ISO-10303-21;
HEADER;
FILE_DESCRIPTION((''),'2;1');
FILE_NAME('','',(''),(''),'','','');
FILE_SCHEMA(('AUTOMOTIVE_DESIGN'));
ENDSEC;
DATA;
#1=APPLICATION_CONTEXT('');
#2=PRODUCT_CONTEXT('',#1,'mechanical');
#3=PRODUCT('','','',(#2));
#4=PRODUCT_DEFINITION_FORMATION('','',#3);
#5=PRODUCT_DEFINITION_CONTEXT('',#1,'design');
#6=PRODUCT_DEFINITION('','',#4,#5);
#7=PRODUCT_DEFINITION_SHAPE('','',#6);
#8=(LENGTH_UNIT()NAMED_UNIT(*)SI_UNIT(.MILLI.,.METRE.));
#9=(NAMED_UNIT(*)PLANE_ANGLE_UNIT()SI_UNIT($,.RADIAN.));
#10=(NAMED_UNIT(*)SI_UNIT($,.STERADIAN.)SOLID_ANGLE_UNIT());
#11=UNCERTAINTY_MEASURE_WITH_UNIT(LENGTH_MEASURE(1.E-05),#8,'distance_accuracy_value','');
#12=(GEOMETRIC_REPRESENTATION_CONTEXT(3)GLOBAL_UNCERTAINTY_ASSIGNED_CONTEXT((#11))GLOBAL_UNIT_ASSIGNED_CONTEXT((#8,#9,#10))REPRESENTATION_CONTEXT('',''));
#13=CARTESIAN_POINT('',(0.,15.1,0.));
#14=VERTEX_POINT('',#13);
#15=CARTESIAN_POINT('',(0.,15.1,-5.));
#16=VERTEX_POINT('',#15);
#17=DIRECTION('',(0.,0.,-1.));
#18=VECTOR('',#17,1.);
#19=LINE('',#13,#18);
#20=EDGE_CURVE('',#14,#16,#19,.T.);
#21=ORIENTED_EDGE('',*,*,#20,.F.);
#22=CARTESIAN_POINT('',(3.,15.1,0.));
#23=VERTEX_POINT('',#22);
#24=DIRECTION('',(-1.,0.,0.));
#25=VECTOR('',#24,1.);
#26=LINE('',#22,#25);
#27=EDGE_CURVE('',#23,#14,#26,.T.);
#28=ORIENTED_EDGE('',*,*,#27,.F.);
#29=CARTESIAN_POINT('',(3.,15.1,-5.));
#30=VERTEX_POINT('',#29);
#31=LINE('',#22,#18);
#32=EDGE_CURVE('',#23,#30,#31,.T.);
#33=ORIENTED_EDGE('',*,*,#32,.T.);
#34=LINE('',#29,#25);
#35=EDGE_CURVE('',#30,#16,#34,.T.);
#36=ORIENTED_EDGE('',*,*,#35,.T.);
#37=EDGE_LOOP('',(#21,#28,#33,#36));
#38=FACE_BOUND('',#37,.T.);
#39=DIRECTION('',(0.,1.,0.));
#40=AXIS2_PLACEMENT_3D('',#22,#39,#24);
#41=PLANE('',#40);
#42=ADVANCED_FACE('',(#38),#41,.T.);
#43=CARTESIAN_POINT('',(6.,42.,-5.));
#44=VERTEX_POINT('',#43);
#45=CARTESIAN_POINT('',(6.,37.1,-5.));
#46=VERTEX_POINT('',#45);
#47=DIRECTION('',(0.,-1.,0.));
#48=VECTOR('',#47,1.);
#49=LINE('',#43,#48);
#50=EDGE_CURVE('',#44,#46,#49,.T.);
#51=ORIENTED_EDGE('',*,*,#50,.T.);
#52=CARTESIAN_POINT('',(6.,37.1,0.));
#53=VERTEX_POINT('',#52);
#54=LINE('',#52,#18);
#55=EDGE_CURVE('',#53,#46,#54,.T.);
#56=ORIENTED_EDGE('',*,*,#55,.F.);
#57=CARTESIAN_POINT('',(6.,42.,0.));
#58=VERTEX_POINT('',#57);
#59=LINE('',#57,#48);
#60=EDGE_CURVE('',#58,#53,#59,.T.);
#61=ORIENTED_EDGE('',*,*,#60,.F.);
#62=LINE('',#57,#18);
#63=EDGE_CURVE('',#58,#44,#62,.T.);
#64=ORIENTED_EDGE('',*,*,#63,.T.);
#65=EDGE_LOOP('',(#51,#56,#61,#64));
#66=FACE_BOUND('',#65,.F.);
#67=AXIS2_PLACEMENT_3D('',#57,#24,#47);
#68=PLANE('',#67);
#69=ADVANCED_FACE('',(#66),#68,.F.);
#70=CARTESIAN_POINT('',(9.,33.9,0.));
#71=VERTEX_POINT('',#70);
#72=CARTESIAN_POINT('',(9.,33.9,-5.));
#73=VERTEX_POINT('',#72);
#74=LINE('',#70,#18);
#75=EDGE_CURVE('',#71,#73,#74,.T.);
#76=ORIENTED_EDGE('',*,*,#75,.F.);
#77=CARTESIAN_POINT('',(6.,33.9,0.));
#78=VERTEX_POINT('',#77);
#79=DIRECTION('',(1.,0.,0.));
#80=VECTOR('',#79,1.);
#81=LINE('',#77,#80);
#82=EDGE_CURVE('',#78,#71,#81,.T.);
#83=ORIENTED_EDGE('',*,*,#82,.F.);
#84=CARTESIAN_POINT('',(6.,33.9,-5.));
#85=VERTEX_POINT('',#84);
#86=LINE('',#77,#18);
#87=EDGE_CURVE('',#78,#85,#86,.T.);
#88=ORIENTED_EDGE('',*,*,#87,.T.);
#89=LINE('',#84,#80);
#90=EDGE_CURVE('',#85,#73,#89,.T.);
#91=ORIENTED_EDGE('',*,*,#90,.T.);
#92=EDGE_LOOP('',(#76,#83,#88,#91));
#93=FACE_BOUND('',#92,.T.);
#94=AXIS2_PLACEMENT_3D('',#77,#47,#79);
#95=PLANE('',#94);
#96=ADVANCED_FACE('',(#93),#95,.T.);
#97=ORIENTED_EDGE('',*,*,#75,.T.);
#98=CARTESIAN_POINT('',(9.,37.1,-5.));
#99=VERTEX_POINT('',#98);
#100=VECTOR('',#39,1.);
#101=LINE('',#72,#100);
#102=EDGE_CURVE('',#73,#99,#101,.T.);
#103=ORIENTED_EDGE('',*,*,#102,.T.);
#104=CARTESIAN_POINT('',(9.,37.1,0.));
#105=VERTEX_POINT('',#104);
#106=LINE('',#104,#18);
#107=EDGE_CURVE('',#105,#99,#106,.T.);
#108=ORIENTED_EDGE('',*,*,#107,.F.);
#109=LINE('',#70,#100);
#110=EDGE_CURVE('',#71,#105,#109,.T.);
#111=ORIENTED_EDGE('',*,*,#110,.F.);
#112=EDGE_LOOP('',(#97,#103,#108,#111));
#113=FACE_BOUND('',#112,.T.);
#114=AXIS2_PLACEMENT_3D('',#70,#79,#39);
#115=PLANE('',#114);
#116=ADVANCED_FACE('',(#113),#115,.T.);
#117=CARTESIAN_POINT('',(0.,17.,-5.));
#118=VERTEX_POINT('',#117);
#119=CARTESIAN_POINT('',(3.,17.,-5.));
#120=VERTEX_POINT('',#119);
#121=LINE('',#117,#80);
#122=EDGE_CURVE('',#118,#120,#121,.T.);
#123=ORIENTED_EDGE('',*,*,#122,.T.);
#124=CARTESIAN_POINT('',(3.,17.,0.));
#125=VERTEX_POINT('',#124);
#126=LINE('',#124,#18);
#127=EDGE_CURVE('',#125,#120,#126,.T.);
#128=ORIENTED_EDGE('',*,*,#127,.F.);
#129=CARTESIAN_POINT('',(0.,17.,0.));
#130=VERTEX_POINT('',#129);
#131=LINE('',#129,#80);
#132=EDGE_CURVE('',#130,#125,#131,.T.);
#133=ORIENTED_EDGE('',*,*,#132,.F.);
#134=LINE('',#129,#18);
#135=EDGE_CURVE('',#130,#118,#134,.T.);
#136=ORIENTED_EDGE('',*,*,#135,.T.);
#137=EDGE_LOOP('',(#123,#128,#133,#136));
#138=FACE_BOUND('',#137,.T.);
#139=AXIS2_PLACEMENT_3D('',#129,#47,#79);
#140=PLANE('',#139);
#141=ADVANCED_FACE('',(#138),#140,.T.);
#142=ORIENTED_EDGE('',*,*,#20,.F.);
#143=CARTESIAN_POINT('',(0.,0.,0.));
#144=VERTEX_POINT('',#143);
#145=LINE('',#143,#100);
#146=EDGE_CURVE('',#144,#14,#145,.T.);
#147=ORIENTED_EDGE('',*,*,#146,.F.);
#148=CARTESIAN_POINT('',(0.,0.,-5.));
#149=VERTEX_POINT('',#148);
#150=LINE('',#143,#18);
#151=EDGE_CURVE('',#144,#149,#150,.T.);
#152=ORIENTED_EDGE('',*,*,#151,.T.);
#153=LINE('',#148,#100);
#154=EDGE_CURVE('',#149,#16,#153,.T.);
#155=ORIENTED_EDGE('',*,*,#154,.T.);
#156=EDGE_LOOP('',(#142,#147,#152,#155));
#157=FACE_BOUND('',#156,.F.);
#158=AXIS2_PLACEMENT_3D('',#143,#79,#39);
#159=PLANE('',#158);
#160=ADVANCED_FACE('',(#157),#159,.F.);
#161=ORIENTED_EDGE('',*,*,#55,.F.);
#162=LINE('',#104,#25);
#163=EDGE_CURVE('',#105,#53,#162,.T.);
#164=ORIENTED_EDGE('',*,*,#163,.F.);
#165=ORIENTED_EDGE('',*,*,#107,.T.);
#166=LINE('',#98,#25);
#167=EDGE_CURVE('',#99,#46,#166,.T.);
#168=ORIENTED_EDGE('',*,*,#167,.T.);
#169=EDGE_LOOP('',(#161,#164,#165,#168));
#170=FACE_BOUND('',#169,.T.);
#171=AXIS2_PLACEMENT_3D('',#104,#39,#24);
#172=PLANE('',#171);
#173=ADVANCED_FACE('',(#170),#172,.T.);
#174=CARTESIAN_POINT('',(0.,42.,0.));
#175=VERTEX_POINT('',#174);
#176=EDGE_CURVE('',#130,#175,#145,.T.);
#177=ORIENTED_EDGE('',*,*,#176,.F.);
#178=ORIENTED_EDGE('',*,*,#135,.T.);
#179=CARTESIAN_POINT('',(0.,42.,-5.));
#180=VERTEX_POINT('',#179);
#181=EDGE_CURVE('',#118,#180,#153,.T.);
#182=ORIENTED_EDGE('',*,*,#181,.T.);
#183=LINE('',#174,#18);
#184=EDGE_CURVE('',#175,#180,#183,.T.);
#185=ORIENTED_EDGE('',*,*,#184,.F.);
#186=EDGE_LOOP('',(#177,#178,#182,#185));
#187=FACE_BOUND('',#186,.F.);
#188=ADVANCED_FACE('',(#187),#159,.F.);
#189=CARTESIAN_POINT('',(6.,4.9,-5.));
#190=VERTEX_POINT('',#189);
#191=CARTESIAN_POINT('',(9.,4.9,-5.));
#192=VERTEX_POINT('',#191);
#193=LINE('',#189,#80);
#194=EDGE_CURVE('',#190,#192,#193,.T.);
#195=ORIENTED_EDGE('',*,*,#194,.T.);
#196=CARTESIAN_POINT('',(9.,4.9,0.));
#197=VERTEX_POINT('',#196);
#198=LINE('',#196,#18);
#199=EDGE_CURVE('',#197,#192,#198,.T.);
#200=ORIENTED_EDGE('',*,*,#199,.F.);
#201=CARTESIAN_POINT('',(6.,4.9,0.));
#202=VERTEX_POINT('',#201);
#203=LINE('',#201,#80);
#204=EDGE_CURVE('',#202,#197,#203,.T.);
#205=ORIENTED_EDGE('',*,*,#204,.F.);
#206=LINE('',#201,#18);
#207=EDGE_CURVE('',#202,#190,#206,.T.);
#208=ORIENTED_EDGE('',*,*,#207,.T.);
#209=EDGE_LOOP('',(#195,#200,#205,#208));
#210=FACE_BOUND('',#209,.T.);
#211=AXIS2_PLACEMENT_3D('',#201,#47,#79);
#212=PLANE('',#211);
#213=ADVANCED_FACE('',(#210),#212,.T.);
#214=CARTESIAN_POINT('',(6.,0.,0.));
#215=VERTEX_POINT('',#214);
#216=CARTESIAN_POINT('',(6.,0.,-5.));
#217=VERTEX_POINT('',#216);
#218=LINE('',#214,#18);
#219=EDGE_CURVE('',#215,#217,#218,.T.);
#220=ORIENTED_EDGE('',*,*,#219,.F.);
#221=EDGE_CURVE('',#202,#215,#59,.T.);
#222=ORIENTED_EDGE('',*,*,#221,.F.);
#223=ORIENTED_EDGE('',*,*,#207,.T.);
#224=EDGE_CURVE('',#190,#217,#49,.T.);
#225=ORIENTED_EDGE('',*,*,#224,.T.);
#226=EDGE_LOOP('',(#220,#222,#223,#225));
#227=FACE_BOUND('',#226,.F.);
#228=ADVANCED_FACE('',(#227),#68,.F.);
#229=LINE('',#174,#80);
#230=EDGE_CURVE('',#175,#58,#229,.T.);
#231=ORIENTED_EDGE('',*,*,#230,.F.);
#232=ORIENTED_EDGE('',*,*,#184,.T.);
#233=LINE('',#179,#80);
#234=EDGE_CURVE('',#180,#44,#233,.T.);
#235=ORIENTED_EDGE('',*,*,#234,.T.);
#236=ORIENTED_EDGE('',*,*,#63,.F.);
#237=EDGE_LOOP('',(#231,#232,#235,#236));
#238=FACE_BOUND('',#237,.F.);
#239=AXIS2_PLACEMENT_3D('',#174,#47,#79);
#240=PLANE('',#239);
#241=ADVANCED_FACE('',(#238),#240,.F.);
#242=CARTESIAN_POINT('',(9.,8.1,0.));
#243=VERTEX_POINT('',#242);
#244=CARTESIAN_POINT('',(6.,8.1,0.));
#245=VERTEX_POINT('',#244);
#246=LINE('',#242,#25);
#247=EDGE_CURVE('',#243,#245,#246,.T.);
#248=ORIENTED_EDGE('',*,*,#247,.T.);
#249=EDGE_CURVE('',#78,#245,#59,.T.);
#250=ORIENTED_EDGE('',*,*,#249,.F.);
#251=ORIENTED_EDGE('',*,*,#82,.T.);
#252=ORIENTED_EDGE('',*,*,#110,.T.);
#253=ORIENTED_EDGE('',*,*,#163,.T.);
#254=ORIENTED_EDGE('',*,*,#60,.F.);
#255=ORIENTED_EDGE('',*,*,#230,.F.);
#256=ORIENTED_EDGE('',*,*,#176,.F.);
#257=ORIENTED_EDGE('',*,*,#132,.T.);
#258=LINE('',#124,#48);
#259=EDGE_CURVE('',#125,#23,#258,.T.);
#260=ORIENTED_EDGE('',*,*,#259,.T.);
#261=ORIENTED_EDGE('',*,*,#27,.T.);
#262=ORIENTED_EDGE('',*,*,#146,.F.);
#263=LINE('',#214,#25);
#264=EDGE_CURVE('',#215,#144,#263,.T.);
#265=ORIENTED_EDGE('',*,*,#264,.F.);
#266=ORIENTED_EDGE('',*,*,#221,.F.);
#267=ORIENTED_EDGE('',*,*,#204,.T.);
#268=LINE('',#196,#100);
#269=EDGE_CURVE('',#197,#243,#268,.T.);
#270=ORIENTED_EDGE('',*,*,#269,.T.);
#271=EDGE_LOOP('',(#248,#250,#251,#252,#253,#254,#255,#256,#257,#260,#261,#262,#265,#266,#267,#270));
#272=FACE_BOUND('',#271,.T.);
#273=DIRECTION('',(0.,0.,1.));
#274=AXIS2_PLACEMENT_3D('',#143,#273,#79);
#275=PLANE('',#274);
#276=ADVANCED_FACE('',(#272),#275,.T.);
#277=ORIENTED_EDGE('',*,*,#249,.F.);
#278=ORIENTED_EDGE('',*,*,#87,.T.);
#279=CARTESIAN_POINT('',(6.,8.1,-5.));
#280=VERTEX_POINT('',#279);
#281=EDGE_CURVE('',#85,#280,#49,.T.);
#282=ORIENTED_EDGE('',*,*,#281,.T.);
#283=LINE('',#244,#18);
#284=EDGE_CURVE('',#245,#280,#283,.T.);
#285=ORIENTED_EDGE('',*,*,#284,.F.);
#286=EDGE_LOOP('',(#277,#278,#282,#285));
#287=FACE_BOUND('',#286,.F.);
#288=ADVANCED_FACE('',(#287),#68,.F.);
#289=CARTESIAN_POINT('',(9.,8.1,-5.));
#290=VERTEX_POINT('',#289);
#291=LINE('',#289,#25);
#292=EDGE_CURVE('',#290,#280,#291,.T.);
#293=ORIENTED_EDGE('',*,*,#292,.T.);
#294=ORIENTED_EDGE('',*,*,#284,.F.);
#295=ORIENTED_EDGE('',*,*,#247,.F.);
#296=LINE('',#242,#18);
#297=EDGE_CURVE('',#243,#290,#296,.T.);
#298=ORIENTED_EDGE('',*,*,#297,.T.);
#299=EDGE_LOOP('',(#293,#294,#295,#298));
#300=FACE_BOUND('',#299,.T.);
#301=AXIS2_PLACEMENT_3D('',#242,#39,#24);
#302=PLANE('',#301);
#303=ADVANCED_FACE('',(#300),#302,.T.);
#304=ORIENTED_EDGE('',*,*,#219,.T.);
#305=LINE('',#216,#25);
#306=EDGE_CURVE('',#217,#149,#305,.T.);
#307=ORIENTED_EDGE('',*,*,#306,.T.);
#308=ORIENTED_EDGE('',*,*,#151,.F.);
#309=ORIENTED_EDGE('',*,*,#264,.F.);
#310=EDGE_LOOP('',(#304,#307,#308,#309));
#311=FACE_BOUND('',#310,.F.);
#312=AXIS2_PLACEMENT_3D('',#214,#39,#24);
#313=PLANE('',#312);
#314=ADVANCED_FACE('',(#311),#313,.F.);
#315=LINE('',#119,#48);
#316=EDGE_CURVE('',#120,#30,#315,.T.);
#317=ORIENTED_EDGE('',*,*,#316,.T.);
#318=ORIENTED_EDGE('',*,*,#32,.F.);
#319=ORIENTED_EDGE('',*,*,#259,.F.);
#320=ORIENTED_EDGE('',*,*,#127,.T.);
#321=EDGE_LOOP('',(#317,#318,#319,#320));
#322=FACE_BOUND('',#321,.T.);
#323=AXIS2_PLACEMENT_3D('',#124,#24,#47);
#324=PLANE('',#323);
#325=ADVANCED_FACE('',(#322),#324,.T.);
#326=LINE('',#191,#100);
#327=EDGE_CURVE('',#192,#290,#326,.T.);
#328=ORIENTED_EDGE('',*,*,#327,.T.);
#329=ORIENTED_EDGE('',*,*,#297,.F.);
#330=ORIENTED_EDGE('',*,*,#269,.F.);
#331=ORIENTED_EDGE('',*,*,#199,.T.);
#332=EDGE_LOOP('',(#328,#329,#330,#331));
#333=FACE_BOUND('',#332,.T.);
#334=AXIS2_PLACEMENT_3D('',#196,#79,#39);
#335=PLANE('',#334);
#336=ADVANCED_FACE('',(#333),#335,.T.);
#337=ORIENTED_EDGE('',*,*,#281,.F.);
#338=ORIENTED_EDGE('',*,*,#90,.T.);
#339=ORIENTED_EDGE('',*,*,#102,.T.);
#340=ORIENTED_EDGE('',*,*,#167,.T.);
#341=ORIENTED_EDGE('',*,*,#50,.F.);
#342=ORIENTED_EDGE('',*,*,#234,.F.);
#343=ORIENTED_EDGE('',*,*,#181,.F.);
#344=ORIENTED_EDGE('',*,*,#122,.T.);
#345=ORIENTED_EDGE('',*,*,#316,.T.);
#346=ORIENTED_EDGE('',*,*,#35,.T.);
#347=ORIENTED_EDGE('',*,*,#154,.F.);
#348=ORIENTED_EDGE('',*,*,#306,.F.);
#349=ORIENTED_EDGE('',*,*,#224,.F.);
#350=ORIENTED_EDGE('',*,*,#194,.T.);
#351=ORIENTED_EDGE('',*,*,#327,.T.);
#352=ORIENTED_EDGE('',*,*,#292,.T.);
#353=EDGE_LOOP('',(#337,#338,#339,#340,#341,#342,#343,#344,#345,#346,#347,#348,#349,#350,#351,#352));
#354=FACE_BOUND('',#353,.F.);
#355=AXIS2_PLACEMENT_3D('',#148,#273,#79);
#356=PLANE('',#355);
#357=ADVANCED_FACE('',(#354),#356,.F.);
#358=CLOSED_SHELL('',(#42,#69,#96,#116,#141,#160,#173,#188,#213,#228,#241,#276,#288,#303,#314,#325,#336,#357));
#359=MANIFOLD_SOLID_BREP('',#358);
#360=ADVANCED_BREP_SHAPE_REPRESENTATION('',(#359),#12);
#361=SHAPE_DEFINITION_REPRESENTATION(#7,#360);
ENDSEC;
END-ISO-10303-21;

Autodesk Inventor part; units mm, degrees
ref_plane "YZ Plane" through (0, 0, 0) normal (1, 0, 0) x (0, 1, 0)
ref_plane "XZ Plane" through (0, 0, 0) normal (0, 1, 0) x (-1, 0, 0)
ref_plane "XY Plane" through (0, 0, 0) normal (0, 0, 1) x (1, 0, 0)
sketch "Sketch1" plane through (0, 0, 0) normal (0, 0, 1) x (1, 0, 0)
  line L0 (0, 42) -> (6, 42)
  line L1 (6, 42) -> (6, 0)
  line L2 (6, 0) -> (0, 0)
  line L3 (0, 0) -> (0, 42)
  dimension "d0" = 6
  dimension "d1" = 42
extrude "Extrusion1" add sketch "Sketch1" against normal blind 5
sketch "Sketch4" plane through (0, 0, 0) normal (0, 0, 1) x (1, 0, 0)
  line L0 (0, 0) -> (0, 42) projected
  line L1 (0, 17) -> (3, 17)
  line L2 (3, 17) -> (3, 15.1)
  line L3 (3, 15.1) -> (0, 15.1)
  line L4 (0, 15.1) -> (0, 17)
  line L5 (6, 0) -> (0, 0) projected
  point P0 (0, 45)
  dimension "d12" = 1.9
  dimension "d13" = 3
  dimension "d18" = 17
extrude "Extrusion4" cut sketch "Sketch4" against normal blind 5
sketch "Sketch5" plane through (0, 0, 0) normal (0, 0, 1) x (1, 0, 0)
  line L0 (6, 42) -> (6, 0) projected
  line L1 (6, 0) -> (0, 0) projected
  line L2 (0, 42) -> (6, 42) projected
  line L3 (6, 42) -> (6, 0) projected
  line L4 (9, 8.1) -> (6, 8.1)
  line L5 (6, 8.1) -> (6, 4.9)
  line L6 (6, 4.9) -> (9, 4.9)
  line L7 (9, 4.9) -> (9, 8.1)
  line L8 (9, 8.1) -> (6, 4.9) construction
  line L9 (6, 8.1) -> (9, 4.9) construction
  line L10 (9, 37.1) -> (6, 37.1)
  line L11 (6, 37.1) -> (6, 33.9)
  line L12 (6, 33.9) -> (9, 33.9)
  line L13 (9, 33.9) -> (9, 37.1)
  line L14 (9, 37.1) -> (6, 33.9) construction
  line L15 (6, 37.1) -> (9, 33.9) construction
  line L16 (0, 42) -> (6, 0) construction
  line L17 (0, 0) -> (6, 42) construction
  point P0 (7.5, 6.5)
  point P1 (7.5, 35.5)
  point P2 (3, 21)
  dimension "d31" = 3
  dimension "d32" = 3.2
  dimension "d34" = 14.5
  dimension "d35" = 14.5
  dimension "d36" = 3.2
extrude "Extrusion5" add sketch "Sketch5" against normal blind 5
equation "\"d35\" = d34"
equation "\"d36\" = d32"
equation "\"kerf\" = 0.15"
properties part number "PCBSupport"
